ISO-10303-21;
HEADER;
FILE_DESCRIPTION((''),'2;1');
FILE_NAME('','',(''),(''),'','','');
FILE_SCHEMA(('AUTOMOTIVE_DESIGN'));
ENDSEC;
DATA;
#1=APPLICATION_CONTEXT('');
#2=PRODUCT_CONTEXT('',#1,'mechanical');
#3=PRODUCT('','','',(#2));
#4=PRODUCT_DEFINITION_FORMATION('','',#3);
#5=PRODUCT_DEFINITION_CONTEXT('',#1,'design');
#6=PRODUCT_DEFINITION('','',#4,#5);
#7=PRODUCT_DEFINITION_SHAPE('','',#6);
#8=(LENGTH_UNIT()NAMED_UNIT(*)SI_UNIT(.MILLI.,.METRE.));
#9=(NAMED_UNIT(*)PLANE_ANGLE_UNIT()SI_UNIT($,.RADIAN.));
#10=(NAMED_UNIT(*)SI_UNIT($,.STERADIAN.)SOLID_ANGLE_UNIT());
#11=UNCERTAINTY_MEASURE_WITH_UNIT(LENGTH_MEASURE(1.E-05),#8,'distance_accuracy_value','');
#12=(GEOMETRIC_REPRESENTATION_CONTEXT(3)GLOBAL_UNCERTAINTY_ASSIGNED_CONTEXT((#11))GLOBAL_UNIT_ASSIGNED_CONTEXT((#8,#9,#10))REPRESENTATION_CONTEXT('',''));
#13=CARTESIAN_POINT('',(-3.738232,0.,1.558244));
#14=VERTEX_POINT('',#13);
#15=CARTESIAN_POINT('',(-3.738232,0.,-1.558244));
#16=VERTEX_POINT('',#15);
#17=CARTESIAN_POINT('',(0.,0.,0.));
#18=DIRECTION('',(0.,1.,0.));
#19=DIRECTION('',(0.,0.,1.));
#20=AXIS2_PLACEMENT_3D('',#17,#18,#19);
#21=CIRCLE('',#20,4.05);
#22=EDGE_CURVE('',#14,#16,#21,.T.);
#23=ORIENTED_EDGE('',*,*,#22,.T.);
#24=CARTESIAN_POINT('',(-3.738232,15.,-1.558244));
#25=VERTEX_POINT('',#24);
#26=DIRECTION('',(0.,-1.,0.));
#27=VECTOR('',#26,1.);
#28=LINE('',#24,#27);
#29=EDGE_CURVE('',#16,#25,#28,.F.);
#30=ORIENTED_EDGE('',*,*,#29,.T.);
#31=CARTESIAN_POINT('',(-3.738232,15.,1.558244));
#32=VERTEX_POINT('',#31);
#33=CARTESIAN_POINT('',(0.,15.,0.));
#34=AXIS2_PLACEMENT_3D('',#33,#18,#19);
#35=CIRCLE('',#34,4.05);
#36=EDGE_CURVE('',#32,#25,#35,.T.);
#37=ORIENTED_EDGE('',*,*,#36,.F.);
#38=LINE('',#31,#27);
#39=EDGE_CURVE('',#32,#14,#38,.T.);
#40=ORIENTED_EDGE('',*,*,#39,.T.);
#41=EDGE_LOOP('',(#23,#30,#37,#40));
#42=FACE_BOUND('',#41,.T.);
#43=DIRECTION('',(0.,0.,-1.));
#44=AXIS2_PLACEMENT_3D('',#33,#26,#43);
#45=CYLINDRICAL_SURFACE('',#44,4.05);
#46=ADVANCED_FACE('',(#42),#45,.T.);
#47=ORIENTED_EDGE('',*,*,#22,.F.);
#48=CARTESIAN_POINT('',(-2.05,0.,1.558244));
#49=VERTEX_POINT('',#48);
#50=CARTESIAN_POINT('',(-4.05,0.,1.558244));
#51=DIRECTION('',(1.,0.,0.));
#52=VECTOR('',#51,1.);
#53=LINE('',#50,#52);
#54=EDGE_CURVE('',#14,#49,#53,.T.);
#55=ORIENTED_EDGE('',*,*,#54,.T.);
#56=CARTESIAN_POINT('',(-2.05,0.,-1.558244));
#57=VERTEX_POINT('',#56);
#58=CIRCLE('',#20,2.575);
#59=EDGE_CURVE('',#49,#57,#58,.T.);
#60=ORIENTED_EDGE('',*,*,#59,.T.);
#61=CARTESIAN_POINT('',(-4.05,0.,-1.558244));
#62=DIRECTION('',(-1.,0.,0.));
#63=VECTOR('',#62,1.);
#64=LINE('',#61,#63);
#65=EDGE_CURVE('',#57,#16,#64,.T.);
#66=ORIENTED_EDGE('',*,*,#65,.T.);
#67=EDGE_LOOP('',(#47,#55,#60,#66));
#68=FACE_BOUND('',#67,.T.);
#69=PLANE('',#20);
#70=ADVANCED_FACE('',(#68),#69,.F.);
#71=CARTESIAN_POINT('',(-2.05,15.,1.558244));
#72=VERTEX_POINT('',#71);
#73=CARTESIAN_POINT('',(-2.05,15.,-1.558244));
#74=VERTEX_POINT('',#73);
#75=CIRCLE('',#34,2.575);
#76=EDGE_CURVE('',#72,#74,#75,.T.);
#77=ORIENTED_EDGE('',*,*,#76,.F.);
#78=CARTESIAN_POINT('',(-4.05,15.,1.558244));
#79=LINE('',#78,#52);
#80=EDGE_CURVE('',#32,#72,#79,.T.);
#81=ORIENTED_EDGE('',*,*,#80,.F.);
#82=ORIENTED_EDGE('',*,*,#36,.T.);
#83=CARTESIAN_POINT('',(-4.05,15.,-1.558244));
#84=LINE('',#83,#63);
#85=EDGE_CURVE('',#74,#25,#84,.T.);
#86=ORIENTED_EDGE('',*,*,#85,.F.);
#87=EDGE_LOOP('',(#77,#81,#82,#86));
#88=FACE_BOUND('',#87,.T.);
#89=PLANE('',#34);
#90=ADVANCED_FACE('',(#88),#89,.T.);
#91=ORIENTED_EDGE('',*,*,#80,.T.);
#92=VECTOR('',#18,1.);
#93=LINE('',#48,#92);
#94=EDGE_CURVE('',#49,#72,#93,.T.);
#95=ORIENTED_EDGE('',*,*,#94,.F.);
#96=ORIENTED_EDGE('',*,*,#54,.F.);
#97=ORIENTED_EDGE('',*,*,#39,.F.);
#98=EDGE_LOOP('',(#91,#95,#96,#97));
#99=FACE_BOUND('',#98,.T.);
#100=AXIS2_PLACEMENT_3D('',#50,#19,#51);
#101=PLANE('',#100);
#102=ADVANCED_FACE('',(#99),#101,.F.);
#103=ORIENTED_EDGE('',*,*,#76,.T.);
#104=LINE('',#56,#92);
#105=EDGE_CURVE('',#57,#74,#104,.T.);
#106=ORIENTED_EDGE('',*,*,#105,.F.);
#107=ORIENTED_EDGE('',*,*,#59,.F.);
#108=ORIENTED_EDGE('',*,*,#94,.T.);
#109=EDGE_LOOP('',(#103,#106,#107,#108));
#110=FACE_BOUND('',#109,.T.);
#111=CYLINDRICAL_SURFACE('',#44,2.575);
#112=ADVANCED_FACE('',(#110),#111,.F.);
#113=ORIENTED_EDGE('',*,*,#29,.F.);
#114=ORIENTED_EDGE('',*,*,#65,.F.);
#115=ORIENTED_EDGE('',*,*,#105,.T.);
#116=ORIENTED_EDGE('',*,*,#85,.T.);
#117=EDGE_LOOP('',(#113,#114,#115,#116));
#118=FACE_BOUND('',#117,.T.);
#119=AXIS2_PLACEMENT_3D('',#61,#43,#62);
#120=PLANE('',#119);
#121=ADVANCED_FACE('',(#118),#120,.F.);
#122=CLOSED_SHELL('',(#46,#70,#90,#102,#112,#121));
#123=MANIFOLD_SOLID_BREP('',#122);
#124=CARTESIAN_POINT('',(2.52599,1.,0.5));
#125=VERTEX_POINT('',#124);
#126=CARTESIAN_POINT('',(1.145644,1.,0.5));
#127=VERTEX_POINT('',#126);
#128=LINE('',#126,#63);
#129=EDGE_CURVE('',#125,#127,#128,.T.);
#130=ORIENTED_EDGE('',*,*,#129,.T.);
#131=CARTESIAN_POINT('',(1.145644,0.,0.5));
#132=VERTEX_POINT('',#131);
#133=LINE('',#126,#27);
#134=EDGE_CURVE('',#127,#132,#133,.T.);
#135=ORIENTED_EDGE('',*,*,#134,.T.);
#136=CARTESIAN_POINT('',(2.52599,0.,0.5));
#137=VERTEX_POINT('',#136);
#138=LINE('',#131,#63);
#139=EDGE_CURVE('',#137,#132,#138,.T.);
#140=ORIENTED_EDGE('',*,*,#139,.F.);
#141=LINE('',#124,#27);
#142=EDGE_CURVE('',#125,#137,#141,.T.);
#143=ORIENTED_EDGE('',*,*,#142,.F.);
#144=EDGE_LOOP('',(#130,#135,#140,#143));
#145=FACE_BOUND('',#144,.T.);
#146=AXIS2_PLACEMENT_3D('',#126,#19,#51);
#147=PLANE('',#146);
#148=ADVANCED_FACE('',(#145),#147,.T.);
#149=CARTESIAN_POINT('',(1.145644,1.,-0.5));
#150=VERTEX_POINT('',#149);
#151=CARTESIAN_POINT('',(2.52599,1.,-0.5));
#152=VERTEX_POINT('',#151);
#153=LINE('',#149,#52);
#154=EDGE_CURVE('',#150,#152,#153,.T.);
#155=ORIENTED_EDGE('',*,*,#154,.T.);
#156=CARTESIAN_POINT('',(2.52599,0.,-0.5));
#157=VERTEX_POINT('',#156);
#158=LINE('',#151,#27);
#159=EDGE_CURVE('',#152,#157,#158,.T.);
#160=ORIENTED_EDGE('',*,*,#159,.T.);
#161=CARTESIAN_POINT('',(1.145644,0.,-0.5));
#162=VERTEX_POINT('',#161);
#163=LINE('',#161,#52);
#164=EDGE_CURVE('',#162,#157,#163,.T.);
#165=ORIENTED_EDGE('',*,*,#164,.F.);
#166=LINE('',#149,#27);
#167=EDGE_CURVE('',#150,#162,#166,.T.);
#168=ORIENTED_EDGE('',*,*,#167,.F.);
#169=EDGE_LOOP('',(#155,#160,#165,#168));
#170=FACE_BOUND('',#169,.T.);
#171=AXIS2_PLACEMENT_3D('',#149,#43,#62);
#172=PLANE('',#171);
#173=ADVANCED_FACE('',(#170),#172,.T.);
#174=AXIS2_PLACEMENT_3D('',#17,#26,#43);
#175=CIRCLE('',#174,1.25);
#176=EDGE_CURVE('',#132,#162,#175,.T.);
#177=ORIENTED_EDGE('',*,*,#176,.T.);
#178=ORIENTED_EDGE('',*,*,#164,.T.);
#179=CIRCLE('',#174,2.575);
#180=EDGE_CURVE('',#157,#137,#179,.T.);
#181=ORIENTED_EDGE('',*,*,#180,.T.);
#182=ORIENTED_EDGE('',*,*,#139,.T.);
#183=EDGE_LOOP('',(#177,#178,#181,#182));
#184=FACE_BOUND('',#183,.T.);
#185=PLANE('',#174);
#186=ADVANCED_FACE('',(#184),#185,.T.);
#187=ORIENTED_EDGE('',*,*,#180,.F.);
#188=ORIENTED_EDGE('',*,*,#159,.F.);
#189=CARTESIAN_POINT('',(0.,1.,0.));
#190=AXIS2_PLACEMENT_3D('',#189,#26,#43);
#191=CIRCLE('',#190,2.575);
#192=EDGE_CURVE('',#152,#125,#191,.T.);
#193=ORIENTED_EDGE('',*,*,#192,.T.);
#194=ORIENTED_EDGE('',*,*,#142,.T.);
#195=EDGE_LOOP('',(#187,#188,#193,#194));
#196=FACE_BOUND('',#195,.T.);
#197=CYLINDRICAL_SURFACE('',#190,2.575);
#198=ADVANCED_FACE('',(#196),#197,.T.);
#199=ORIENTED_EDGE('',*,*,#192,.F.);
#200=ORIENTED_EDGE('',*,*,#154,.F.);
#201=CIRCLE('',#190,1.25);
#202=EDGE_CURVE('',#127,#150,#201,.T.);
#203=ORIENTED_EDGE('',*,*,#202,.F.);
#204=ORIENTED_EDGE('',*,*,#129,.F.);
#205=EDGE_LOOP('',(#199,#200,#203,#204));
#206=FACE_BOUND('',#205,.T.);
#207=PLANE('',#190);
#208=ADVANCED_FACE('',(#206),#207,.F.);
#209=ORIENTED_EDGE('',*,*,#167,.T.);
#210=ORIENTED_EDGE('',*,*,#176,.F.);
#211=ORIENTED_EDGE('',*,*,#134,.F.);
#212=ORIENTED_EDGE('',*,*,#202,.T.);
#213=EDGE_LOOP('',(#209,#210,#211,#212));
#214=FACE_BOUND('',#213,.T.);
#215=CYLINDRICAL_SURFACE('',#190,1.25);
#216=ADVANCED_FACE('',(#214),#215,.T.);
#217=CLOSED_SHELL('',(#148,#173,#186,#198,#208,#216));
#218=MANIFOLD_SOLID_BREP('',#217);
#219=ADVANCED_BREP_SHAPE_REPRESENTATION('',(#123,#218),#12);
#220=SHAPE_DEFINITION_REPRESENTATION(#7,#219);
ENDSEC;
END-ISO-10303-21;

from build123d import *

# Parameters (mm, degrees)
SKETCH_1_R          = 4.05
SKETCH_1_R_2        = 2.575
EXTRUDE_1_DEPTH     = 15
SKETCH_2_W          = 2
SKETCH_2_H          = 3.116488408
CUT_EXTRUDE_1_DEPTH = 15
EXTRUDE_2_DEPTH     = 1


with BuildPart() as part:
    # 草圖1 → 填料-伸長1 (new body)
    with BuildSketch(Plane(origin=(0, 0, 0), x_dir=(1, 0, 0), z_dir=(0, 1, 0))):
        Circle(SKETCH_1_R)
        Circle(SKETCH_1_R_2, mode=Mode.SUBTRACT)
    extrude(amount=EXTRUDE_1_DEPTH)

    # 草圖2 → 除料-伸長1 (cut)
    with BuildSketch(Plane(origin=(0, 15, 0), x_dir=(1, 0, 0), z_dir=(0, 1, 0))):
        with Locations((-3.05, 0)):
            Rectangle(SKETCH_2_W, SKETCH_2_H)
    extrude(amount=-CUT_EXTRUDE_1_DEPTH, mode=Mode.SUBTRACT)


with BuildPart() as body_2:
    # 草圖3 → 填料-伸長2 (new body)
    with BuildSketch(Plane.XZ):
        with BuildLine():
            Line((1.145643924, 0.5), (2.525989905, 0.5))
            ThreePointArc((2.525989905, 0.5), (2.575, 0), (2.525989905, -0.5))
            Line((2.525989905, -0.5), (1.145643924, -0.5))
            ThreePointArc((1.145643924, -0.5), (-1.25, 0), (1.145643924, 0.5))
        make_face()
    extrude(amount=-EXTRUDE_2_DEPTH)


solid = Compound([part.part, body_2.part])
